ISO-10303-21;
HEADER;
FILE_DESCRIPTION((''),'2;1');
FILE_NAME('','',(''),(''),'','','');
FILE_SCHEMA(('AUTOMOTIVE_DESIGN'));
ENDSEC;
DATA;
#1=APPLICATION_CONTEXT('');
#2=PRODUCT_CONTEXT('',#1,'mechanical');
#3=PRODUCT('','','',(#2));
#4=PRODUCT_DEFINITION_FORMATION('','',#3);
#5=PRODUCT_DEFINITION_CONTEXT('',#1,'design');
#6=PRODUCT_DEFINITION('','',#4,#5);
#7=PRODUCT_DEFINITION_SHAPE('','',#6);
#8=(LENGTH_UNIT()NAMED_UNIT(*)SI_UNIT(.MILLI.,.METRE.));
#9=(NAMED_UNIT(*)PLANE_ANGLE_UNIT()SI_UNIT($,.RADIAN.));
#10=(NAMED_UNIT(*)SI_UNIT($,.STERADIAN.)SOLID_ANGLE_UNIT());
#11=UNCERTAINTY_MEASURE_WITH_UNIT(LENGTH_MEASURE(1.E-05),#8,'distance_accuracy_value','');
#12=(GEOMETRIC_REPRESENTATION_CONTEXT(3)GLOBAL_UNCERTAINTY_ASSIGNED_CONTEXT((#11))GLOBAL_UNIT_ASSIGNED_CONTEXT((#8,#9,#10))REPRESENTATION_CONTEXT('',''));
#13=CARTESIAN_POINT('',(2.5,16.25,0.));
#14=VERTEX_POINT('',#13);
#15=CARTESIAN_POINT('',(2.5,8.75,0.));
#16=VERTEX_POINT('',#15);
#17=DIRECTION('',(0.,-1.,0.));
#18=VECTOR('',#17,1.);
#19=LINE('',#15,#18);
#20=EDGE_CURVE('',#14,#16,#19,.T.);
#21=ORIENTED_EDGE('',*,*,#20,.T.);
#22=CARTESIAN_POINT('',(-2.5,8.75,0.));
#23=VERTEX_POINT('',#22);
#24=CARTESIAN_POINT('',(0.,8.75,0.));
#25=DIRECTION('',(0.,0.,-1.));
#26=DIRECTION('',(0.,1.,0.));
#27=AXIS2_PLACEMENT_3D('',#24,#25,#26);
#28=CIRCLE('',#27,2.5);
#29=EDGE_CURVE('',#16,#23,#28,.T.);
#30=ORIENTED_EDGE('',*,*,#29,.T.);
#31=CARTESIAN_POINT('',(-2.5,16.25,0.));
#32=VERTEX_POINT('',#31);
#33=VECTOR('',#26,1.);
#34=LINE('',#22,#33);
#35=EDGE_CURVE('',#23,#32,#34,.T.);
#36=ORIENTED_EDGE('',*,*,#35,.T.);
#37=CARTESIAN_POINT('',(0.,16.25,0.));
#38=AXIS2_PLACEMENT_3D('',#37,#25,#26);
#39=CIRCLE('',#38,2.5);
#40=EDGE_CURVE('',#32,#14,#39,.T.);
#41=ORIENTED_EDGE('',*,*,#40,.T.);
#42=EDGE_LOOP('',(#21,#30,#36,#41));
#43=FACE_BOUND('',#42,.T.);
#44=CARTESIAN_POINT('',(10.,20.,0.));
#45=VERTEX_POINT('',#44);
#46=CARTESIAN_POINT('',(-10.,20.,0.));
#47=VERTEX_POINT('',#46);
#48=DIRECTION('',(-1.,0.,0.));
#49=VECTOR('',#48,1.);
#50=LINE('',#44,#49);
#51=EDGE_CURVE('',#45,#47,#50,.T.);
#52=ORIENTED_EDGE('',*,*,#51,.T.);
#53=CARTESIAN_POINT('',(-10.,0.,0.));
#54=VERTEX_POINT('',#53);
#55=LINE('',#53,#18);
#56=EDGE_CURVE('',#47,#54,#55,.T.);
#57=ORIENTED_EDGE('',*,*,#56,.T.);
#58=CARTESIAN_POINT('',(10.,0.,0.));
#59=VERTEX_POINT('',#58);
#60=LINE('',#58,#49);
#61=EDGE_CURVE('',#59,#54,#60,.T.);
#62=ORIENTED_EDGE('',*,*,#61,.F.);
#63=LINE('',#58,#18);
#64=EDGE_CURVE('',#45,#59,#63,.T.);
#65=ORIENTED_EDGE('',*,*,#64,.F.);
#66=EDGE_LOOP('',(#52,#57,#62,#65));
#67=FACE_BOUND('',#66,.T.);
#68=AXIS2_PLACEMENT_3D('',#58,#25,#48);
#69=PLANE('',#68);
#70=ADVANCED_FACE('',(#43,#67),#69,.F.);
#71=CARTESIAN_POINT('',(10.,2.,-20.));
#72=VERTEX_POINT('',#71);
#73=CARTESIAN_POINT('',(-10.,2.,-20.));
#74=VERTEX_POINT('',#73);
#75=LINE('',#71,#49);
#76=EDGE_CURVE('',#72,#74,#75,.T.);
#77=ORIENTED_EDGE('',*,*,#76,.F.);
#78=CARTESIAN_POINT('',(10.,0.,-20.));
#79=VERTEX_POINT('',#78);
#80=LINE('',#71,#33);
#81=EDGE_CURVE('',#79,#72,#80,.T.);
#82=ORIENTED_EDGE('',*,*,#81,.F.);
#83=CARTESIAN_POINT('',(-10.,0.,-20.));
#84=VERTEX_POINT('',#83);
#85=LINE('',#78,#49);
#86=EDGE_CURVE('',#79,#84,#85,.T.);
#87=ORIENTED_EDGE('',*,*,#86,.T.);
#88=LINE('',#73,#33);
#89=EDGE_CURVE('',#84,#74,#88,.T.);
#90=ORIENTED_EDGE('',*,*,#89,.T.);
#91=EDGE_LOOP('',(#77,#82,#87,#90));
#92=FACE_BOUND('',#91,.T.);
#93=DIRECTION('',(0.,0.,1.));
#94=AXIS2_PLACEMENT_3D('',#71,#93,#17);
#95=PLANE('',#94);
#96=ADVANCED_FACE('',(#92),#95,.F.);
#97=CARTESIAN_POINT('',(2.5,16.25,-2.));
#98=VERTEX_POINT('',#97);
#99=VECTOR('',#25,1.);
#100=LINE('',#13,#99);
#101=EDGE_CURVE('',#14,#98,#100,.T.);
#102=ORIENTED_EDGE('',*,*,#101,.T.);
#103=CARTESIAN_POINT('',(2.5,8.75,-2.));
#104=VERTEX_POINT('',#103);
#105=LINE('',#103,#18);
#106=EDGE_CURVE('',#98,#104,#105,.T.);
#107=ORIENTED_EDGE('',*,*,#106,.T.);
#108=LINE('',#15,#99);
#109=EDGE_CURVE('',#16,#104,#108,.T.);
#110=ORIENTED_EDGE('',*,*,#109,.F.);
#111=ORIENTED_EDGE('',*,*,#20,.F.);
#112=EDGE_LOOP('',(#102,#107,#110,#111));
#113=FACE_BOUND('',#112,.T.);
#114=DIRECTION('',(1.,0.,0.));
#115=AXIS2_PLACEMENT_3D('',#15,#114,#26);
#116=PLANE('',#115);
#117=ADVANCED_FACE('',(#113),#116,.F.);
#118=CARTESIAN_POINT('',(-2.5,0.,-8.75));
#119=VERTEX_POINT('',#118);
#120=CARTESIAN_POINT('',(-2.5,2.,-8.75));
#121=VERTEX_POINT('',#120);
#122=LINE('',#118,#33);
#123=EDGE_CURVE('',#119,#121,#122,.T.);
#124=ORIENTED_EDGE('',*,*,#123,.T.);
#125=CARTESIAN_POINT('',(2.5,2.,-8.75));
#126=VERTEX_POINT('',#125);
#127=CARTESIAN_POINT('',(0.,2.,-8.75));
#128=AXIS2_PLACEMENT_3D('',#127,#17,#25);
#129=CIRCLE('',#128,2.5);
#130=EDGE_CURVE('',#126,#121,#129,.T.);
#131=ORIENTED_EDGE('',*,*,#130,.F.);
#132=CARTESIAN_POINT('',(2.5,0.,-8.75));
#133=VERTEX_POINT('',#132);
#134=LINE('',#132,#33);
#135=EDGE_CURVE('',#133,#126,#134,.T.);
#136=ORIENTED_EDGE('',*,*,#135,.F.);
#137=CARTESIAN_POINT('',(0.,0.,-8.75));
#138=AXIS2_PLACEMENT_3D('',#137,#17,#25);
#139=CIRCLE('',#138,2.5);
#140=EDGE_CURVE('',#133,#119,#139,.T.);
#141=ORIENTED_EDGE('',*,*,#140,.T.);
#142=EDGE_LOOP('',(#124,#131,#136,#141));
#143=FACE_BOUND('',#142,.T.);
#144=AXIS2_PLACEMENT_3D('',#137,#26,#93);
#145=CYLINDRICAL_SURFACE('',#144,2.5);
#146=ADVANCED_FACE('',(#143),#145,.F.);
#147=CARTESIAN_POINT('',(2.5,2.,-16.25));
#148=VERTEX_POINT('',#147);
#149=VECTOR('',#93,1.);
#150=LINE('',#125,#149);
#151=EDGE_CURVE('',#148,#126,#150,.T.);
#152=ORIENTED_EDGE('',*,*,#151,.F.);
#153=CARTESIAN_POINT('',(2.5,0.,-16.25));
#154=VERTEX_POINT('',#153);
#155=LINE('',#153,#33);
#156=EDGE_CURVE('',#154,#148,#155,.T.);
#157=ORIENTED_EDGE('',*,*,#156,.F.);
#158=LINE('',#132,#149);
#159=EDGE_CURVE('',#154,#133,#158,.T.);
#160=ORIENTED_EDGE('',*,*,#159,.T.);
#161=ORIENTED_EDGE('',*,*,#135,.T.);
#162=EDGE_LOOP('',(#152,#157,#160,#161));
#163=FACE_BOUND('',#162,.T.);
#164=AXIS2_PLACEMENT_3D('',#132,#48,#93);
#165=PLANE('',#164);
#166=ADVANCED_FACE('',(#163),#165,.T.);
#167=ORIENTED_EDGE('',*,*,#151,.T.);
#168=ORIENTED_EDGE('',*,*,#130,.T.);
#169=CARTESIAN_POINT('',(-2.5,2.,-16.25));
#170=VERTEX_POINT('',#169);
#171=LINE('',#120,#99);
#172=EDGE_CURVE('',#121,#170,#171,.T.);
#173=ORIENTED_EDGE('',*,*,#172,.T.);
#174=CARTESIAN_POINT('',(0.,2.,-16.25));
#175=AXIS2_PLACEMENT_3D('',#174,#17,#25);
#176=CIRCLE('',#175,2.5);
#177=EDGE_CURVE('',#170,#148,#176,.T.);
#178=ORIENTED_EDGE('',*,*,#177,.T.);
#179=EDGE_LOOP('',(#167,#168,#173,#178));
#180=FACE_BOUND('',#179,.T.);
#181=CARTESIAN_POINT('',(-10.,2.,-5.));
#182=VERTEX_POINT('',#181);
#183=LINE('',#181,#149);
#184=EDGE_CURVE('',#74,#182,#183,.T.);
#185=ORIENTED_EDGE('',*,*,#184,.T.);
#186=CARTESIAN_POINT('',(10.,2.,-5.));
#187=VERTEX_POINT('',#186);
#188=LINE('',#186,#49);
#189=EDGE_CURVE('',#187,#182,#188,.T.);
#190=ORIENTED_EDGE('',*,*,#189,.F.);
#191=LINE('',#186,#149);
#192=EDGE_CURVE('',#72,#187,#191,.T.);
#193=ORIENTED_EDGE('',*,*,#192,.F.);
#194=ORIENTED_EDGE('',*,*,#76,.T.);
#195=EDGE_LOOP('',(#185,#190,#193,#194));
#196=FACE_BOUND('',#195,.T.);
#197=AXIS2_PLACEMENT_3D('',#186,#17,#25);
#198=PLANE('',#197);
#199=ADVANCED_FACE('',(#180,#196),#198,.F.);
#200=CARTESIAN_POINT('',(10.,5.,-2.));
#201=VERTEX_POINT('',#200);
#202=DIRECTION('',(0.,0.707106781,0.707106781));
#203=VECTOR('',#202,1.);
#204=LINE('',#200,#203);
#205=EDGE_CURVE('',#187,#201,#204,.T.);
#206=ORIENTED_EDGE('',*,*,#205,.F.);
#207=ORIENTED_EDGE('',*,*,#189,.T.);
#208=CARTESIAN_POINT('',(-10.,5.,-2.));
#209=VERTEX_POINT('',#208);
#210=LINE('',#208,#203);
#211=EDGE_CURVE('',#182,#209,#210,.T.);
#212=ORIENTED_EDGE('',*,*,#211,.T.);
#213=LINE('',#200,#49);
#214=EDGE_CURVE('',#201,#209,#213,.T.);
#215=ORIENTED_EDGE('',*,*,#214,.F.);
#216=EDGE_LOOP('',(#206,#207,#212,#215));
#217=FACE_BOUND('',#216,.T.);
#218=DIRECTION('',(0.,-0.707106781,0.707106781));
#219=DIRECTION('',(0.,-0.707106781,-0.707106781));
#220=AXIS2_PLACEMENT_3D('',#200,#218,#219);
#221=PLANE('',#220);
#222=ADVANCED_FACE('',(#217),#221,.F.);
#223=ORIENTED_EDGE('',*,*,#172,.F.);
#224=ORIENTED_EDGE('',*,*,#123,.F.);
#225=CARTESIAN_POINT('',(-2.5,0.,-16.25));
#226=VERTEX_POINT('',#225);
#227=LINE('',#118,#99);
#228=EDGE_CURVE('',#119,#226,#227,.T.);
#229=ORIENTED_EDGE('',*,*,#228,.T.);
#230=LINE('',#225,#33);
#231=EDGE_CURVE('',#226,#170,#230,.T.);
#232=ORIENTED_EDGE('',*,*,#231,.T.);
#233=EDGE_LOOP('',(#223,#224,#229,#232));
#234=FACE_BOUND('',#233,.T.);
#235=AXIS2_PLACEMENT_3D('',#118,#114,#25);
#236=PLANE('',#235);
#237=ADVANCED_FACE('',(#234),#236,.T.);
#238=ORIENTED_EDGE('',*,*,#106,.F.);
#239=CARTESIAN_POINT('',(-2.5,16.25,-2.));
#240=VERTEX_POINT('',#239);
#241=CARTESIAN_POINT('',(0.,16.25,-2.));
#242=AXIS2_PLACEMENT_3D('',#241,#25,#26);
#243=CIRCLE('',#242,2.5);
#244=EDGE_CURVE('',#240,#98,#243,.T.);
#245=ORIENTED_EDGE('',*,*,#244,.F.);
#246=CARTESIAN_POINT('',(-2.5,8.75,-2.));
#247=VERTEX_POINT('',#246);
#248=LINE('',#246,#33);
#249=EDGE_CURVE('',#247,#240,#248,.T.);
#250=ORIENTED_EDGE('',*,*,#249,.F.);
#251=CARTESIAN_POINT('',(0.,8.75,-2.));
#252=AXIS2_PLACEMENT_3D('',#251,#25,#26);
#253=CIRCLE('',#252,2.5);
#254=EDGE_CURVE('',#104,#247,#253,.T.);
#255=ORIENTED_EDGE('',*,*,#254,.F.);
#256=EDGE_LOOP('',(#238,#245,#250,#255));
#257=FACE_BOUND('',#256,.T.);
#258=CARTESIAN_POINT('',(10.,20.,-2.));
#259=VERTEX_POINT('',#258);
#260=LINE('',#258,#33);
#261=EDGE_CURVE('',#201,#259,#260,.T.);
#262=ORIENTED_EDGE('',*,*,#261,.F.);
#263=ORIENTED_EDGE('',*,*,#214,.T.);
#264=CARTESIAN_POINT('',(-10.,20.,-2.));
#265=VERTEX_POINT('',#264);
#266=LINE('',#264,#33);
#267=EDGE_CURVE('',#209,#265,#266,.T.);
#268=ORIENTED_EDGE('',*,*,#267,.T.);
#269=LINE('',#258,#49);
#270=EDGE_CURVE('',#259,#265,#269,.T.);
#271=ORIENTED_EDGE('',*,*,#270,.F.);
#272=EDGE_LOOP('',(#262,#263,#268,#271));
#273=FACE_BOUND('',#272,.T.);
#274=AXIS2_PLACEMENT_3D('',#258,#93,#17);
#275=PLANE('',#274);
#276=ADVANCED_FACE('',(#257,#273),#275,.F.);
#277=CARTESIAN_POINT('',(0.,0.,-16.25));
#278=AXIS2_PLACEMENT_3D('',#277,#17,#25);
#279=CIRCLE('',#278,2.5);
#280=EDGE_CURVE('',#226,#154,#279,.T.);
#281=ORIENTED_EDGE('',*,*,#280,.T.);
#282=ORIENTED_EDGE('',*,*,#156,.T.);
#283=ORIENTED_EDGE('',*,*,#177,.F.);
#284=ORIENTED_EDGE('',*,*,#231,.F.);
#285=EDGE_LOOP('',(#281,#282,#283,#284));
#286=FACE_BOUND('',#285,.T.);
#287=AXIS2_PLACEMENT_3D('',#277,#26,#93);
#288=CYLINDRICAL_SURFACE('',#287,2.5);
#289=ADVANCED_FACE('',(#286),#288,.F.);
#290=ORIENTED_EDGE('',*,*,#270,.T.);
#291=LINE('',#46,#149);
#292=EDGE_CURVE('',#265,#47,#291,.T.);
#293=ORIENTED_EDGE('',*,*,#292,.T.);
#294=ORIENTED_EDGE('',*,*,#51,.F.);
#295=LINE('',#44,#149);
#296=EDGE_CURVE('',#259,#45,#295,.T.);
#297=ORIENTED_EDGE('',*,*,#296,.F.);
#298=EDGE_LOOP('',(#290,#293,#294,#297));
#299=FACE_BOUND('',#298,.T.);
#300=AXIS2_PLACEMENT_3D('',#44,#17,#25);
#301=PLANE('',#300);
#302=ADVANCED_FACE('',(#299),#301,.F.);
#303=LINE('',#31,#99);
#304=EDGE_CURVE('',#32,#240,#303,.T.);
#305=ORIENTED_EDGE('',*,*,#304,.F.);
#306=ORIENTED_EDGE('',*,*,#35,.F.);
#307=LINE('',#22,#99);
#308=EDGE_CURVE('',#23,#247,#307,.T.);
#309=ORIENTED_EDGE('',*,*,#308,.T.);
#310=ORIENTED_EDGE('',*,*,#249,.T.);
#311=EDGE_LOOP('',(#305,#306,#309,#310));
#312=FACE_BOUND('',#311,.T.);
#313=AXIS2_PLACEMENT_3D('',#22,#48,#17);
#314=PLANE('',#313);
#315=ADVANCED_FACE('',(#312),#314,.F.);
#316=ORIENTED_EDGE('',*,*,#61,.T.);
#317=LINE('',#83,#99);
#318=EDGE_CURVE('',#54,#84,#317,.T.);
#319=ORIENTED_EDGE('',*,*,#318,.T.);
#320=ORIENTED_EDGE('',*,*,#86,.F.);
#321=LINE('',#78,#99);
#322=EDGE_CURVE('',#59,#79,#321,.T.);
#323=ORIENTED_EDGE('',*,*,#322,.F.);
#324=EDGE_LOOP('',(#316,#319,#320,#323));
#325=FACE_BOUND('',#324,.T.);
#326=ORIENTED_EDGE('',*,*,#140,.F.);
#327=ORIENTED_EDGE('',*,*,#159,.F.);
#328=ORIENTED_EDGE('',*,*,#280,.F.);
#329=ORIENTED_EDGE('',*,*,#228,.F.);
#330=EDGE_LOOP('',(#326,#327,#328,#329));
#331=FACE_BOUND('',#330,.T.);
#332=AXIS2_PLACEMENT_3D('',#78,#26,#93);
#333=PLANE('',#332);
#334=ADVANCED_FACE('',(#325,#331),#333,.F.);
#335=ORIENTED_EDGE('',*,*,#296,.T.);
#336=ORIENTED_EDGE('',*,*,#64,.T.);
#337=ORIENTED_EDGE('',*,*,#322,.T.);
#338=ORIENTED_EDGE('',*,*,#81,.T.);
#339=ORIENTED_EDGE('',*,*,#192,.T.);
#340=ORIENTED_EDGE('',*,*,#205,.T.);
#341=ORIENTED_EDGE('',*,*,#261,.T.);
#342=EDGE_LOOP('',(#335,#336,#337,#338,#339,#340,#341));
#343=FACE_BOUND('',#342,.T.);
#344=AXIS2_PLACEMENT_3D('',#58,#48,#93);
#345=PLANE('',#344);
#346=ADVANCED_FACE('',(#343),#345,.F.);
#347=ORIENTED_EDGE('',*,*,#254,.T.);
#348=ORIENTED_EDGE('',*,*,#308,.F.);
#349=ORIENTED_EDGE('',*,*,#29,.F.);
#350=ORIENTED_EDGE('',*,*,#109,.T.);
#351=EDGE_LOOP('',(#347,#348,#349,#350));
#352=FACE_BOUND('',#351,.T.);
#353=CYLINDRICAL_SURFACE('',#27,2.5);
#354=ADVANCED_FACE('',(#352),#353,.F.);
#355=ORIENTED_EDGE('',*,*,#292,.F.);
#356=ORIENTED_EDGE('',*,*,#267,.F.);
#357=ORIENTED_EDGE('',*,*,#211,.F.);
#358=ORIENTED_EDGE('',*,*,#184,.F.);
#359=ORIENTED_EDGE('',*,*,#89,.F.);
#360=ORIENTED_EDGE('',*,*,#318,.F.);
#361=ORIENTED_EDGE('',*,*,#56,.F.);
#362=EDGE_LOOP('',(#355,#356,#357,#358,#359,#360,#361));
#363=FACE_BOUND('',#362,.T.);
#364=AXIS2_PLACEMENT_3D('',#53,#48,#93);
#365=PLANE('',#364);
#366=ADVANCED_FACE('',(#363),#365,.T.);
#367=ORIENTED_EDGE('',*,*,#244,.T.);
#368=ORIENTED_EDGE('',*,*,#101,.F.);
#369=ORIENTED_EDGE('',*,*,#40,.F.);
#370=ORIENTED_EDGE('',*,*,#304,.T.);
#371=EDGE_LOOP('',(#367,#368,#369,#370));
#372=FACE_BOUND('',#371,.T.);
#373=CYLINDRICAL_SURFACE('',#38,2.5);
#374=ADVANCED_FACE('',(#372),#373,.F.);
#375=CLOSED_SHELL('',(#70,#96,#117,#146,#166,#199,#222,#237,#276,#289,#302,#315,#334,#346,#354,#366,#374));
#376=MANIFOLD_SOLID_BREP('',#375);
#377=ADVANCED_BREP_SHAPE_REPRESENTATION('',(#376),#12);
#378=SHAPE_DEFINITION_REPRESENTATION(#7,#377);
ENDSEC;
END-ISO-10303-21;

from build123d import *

# Parameters (mm, degrees)
BODY_DEPTH          = 10
FIXATION_HOLE_DEPTH = 29.705400189


with BuildPart() as part:
    # Sketch1 → Body (new, symmetric)
    with BuildSketch(Plane(origin=(0, 0, 0), x_dir=(0, 0, -1), z_dir=(1, 0, 0))):
        Polygon((20, 0), (0, 0), (0, 20), (2, 20), (2, 5), (5, 2), (20, 2), align=None)
    extrude(amount=BODY_DEPTH, both=True)

    # Sketch3 → Fixation_Hole (cut, through all)
    with BuildSketch(Plane(origin=(0, 0, -2), x_dir=(-1, 0, 0), z_dir=(0, 0, -1))):
        with BuildLine():
            Line((-2.5, 8.75), (-2.5, 16.25))
            ThreePointArc((-2.5, 16.25), (0, 18.75), (2.5, 16.25))
            Line((2.5, 16.25), (2.5, 8.75))
            ThreePointArc((2.5, 8.75), (0, 6.25), (-2.5, 8.75))
        make_face()
    fixation_hole = extrude(amount=-FIXATION_HOLE_DEPTH, mode=Mode.SUBTRACT)

    # Mirror1: Fixation_Hole across plane
    add(fixation_hole.mirror(Plane(origin=(0, 0, 0), x_dir=(0, -0.7071067811865476, 0.7071067811865475), z_dir=(0, -0.7071067811865475, -0.7071067811865476))), mode=Mode.SUBTRACT)


solid = part.part
